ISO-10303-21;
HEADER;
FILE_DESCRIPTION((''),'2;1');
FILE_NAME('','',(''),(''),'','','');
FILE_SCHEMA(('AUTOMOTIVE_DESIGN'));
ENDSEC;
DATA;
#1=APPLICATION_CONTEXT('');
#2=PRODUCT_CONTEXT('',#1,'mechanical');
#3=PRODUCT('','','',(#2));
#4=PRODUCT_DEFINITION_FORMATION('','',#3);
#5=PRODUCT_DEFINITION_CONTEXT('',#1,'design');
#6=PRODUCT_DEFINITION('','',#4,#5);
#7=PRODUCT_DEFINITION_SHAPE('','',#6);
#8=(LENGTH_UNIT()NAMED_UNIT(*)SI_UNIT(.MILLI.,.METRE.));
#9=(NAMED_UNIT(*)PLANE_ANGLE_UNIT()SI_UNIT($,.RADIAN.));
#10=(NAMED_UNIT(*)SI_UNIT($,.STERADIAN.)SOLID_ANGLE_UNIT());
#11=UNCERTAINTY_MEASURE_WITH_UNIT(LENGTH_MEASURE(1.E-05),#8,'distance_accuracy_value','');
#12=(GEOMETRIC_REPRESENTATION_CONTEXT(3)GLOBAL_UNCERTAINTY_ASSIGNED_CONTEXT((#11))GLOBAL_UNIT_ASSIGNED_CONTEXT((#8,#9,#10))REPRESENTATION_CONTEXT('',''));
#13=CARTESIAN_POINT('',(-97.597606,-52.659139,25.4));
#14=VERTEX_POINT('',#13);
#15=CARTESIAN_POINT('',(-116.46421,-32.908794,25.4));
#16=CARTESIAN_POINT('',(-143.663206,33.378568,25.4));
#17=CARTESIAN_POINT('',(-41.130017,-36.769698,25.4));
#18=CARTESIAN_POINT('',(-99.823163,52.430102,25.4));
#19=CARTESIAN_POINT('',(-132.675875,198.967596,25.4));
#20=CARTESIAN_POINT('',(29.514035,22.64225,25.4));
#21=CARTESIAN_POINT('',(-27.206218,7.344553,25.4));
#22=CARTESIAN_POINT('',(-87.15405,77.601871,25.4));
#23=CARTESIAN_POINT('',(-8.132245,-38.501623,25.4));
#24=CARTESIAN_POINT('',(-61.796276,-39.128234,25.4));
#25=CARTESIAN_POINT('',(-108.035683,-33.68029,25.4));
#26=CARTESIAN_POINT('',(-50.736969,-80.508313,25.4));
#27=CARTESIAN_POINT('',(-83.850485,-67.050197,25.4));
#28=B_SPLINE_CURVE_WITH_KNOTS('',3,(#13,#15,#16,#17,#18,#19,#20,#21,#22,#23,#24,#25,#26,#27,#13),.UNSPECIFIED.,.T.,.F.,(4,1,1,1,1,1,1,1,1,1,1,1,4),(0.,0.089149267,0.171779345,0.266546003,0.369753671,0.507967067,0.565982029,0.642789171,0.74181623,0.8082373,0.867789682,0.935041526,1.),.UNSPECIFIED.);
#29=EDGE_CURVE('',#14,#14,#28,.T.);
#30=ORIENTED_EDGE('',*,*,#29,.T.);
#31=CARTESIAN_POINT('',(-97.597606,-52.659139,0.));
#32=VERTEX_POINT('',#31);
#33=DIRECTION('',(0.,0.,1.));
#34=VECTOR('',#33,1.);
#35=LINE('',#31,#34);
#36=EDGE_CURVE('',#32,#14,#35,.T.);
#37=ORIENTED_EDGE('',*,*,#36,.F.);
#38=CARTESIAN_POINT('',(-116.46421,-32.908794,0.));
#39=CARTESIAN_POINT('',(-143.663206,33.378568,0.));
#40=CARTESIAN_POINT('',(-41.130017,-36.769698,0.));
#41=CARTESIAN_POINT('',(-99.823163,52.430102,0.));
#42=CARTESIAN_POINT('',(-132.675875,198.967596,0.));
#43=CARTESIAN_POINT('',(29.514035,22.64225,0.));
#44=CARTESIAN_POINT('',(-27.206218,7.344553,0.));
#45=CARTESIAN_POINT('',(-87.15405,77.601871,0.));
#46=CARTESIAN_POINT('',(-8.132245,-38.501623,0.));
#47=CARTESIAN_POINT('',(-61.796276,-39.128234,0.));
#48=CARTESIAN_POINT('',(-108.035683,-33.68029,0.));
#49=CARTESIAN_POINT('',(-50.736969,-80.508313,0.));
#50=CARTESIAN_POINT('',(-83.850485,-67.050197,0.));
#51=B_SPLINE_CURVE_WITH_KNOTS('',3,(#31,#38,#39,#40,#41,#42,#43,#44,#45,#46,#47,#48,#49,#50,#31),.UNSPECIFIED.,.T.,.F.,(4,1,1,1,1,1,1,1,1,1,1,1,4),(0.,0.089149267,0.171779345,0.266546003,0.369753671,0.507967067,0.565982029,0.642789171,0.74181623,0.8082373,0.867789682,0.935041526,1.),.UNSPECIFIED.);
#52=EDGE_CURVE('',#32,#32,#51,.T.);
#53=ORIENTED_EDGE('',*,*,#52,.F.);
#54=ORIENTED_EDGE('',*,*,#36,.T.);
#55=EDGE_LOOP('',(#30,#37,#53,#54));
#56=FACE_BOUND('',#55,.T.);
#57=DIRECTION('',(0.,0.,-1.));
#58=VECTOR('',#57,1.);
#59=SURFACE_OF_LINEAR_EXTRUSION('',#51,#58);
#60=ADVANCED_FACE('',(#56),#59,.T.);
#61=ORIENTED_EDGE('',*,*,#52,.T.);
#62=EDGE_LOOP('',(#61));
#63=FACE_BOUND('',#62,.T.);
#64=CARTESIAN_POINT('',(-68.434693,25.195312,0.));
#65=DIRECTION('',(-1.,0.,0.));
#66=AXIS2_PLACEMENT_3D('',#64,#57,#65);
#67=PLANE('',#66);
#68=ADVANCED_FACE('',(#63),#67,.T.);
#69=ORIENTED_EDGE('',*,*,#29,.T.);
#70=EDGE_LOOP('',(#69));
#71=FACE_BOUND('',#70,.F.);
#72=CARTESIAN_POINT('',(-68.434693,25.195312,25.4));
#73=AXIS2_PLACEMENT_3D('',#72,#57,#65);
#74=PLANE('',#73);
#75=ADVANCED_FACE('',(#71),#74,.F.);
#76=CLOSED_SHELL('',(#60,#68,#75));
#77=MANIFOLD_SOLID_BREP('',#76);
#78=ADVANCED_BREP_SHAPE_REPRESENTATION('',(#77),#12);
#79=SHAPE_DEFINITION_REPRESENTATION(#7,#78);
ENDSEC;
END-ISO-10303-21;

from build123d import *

# Parameters (mm, degrees)
F1_DEPTH = 25.4


with BuildPart() as f1:
    # F0 (on Top) → F1 (new body)
    with BuildSketch(Plane.XY):
        with BuildLine():
            add(Edge.make_bspline(
                [(-97.5976064801, -52.6591390371), (-116.464210166, -32.9087942567), (-143.6632064624, 33.3785679018), (-41.1300168838, -36.769698392), (-99.823162701, 52.4301016905), (-132.6758748677, 198.9675964053), (29.5140345378, 22.642250466), (-27.2062177152, 7.3445527711), (-87.1540501231, 77.6018708594), (-8.13224542, -38.5016232921), (-61.7962756864, -39.1282342437), (-108.0356825253, -33.6802900695), (-50.7369685656, -80.5083131847), (-83.8504851522, -67.0501969342), (-97.5976064801, -52.6591390371)],
                knots=[0, 0, 0, 0, 0.0891492667, 0.171779345, 0.2665460034, 0.3697536706, 0.5079670673, 0.5659820295, 0.6427891711, 0.7418162301, 0.8082373002, 0.8677896815, 0.935041526, 1, 1, 1, 1], degree=3))
        make_face()
    extrude(amount=F1_DEPTH)


solid = f1.part
